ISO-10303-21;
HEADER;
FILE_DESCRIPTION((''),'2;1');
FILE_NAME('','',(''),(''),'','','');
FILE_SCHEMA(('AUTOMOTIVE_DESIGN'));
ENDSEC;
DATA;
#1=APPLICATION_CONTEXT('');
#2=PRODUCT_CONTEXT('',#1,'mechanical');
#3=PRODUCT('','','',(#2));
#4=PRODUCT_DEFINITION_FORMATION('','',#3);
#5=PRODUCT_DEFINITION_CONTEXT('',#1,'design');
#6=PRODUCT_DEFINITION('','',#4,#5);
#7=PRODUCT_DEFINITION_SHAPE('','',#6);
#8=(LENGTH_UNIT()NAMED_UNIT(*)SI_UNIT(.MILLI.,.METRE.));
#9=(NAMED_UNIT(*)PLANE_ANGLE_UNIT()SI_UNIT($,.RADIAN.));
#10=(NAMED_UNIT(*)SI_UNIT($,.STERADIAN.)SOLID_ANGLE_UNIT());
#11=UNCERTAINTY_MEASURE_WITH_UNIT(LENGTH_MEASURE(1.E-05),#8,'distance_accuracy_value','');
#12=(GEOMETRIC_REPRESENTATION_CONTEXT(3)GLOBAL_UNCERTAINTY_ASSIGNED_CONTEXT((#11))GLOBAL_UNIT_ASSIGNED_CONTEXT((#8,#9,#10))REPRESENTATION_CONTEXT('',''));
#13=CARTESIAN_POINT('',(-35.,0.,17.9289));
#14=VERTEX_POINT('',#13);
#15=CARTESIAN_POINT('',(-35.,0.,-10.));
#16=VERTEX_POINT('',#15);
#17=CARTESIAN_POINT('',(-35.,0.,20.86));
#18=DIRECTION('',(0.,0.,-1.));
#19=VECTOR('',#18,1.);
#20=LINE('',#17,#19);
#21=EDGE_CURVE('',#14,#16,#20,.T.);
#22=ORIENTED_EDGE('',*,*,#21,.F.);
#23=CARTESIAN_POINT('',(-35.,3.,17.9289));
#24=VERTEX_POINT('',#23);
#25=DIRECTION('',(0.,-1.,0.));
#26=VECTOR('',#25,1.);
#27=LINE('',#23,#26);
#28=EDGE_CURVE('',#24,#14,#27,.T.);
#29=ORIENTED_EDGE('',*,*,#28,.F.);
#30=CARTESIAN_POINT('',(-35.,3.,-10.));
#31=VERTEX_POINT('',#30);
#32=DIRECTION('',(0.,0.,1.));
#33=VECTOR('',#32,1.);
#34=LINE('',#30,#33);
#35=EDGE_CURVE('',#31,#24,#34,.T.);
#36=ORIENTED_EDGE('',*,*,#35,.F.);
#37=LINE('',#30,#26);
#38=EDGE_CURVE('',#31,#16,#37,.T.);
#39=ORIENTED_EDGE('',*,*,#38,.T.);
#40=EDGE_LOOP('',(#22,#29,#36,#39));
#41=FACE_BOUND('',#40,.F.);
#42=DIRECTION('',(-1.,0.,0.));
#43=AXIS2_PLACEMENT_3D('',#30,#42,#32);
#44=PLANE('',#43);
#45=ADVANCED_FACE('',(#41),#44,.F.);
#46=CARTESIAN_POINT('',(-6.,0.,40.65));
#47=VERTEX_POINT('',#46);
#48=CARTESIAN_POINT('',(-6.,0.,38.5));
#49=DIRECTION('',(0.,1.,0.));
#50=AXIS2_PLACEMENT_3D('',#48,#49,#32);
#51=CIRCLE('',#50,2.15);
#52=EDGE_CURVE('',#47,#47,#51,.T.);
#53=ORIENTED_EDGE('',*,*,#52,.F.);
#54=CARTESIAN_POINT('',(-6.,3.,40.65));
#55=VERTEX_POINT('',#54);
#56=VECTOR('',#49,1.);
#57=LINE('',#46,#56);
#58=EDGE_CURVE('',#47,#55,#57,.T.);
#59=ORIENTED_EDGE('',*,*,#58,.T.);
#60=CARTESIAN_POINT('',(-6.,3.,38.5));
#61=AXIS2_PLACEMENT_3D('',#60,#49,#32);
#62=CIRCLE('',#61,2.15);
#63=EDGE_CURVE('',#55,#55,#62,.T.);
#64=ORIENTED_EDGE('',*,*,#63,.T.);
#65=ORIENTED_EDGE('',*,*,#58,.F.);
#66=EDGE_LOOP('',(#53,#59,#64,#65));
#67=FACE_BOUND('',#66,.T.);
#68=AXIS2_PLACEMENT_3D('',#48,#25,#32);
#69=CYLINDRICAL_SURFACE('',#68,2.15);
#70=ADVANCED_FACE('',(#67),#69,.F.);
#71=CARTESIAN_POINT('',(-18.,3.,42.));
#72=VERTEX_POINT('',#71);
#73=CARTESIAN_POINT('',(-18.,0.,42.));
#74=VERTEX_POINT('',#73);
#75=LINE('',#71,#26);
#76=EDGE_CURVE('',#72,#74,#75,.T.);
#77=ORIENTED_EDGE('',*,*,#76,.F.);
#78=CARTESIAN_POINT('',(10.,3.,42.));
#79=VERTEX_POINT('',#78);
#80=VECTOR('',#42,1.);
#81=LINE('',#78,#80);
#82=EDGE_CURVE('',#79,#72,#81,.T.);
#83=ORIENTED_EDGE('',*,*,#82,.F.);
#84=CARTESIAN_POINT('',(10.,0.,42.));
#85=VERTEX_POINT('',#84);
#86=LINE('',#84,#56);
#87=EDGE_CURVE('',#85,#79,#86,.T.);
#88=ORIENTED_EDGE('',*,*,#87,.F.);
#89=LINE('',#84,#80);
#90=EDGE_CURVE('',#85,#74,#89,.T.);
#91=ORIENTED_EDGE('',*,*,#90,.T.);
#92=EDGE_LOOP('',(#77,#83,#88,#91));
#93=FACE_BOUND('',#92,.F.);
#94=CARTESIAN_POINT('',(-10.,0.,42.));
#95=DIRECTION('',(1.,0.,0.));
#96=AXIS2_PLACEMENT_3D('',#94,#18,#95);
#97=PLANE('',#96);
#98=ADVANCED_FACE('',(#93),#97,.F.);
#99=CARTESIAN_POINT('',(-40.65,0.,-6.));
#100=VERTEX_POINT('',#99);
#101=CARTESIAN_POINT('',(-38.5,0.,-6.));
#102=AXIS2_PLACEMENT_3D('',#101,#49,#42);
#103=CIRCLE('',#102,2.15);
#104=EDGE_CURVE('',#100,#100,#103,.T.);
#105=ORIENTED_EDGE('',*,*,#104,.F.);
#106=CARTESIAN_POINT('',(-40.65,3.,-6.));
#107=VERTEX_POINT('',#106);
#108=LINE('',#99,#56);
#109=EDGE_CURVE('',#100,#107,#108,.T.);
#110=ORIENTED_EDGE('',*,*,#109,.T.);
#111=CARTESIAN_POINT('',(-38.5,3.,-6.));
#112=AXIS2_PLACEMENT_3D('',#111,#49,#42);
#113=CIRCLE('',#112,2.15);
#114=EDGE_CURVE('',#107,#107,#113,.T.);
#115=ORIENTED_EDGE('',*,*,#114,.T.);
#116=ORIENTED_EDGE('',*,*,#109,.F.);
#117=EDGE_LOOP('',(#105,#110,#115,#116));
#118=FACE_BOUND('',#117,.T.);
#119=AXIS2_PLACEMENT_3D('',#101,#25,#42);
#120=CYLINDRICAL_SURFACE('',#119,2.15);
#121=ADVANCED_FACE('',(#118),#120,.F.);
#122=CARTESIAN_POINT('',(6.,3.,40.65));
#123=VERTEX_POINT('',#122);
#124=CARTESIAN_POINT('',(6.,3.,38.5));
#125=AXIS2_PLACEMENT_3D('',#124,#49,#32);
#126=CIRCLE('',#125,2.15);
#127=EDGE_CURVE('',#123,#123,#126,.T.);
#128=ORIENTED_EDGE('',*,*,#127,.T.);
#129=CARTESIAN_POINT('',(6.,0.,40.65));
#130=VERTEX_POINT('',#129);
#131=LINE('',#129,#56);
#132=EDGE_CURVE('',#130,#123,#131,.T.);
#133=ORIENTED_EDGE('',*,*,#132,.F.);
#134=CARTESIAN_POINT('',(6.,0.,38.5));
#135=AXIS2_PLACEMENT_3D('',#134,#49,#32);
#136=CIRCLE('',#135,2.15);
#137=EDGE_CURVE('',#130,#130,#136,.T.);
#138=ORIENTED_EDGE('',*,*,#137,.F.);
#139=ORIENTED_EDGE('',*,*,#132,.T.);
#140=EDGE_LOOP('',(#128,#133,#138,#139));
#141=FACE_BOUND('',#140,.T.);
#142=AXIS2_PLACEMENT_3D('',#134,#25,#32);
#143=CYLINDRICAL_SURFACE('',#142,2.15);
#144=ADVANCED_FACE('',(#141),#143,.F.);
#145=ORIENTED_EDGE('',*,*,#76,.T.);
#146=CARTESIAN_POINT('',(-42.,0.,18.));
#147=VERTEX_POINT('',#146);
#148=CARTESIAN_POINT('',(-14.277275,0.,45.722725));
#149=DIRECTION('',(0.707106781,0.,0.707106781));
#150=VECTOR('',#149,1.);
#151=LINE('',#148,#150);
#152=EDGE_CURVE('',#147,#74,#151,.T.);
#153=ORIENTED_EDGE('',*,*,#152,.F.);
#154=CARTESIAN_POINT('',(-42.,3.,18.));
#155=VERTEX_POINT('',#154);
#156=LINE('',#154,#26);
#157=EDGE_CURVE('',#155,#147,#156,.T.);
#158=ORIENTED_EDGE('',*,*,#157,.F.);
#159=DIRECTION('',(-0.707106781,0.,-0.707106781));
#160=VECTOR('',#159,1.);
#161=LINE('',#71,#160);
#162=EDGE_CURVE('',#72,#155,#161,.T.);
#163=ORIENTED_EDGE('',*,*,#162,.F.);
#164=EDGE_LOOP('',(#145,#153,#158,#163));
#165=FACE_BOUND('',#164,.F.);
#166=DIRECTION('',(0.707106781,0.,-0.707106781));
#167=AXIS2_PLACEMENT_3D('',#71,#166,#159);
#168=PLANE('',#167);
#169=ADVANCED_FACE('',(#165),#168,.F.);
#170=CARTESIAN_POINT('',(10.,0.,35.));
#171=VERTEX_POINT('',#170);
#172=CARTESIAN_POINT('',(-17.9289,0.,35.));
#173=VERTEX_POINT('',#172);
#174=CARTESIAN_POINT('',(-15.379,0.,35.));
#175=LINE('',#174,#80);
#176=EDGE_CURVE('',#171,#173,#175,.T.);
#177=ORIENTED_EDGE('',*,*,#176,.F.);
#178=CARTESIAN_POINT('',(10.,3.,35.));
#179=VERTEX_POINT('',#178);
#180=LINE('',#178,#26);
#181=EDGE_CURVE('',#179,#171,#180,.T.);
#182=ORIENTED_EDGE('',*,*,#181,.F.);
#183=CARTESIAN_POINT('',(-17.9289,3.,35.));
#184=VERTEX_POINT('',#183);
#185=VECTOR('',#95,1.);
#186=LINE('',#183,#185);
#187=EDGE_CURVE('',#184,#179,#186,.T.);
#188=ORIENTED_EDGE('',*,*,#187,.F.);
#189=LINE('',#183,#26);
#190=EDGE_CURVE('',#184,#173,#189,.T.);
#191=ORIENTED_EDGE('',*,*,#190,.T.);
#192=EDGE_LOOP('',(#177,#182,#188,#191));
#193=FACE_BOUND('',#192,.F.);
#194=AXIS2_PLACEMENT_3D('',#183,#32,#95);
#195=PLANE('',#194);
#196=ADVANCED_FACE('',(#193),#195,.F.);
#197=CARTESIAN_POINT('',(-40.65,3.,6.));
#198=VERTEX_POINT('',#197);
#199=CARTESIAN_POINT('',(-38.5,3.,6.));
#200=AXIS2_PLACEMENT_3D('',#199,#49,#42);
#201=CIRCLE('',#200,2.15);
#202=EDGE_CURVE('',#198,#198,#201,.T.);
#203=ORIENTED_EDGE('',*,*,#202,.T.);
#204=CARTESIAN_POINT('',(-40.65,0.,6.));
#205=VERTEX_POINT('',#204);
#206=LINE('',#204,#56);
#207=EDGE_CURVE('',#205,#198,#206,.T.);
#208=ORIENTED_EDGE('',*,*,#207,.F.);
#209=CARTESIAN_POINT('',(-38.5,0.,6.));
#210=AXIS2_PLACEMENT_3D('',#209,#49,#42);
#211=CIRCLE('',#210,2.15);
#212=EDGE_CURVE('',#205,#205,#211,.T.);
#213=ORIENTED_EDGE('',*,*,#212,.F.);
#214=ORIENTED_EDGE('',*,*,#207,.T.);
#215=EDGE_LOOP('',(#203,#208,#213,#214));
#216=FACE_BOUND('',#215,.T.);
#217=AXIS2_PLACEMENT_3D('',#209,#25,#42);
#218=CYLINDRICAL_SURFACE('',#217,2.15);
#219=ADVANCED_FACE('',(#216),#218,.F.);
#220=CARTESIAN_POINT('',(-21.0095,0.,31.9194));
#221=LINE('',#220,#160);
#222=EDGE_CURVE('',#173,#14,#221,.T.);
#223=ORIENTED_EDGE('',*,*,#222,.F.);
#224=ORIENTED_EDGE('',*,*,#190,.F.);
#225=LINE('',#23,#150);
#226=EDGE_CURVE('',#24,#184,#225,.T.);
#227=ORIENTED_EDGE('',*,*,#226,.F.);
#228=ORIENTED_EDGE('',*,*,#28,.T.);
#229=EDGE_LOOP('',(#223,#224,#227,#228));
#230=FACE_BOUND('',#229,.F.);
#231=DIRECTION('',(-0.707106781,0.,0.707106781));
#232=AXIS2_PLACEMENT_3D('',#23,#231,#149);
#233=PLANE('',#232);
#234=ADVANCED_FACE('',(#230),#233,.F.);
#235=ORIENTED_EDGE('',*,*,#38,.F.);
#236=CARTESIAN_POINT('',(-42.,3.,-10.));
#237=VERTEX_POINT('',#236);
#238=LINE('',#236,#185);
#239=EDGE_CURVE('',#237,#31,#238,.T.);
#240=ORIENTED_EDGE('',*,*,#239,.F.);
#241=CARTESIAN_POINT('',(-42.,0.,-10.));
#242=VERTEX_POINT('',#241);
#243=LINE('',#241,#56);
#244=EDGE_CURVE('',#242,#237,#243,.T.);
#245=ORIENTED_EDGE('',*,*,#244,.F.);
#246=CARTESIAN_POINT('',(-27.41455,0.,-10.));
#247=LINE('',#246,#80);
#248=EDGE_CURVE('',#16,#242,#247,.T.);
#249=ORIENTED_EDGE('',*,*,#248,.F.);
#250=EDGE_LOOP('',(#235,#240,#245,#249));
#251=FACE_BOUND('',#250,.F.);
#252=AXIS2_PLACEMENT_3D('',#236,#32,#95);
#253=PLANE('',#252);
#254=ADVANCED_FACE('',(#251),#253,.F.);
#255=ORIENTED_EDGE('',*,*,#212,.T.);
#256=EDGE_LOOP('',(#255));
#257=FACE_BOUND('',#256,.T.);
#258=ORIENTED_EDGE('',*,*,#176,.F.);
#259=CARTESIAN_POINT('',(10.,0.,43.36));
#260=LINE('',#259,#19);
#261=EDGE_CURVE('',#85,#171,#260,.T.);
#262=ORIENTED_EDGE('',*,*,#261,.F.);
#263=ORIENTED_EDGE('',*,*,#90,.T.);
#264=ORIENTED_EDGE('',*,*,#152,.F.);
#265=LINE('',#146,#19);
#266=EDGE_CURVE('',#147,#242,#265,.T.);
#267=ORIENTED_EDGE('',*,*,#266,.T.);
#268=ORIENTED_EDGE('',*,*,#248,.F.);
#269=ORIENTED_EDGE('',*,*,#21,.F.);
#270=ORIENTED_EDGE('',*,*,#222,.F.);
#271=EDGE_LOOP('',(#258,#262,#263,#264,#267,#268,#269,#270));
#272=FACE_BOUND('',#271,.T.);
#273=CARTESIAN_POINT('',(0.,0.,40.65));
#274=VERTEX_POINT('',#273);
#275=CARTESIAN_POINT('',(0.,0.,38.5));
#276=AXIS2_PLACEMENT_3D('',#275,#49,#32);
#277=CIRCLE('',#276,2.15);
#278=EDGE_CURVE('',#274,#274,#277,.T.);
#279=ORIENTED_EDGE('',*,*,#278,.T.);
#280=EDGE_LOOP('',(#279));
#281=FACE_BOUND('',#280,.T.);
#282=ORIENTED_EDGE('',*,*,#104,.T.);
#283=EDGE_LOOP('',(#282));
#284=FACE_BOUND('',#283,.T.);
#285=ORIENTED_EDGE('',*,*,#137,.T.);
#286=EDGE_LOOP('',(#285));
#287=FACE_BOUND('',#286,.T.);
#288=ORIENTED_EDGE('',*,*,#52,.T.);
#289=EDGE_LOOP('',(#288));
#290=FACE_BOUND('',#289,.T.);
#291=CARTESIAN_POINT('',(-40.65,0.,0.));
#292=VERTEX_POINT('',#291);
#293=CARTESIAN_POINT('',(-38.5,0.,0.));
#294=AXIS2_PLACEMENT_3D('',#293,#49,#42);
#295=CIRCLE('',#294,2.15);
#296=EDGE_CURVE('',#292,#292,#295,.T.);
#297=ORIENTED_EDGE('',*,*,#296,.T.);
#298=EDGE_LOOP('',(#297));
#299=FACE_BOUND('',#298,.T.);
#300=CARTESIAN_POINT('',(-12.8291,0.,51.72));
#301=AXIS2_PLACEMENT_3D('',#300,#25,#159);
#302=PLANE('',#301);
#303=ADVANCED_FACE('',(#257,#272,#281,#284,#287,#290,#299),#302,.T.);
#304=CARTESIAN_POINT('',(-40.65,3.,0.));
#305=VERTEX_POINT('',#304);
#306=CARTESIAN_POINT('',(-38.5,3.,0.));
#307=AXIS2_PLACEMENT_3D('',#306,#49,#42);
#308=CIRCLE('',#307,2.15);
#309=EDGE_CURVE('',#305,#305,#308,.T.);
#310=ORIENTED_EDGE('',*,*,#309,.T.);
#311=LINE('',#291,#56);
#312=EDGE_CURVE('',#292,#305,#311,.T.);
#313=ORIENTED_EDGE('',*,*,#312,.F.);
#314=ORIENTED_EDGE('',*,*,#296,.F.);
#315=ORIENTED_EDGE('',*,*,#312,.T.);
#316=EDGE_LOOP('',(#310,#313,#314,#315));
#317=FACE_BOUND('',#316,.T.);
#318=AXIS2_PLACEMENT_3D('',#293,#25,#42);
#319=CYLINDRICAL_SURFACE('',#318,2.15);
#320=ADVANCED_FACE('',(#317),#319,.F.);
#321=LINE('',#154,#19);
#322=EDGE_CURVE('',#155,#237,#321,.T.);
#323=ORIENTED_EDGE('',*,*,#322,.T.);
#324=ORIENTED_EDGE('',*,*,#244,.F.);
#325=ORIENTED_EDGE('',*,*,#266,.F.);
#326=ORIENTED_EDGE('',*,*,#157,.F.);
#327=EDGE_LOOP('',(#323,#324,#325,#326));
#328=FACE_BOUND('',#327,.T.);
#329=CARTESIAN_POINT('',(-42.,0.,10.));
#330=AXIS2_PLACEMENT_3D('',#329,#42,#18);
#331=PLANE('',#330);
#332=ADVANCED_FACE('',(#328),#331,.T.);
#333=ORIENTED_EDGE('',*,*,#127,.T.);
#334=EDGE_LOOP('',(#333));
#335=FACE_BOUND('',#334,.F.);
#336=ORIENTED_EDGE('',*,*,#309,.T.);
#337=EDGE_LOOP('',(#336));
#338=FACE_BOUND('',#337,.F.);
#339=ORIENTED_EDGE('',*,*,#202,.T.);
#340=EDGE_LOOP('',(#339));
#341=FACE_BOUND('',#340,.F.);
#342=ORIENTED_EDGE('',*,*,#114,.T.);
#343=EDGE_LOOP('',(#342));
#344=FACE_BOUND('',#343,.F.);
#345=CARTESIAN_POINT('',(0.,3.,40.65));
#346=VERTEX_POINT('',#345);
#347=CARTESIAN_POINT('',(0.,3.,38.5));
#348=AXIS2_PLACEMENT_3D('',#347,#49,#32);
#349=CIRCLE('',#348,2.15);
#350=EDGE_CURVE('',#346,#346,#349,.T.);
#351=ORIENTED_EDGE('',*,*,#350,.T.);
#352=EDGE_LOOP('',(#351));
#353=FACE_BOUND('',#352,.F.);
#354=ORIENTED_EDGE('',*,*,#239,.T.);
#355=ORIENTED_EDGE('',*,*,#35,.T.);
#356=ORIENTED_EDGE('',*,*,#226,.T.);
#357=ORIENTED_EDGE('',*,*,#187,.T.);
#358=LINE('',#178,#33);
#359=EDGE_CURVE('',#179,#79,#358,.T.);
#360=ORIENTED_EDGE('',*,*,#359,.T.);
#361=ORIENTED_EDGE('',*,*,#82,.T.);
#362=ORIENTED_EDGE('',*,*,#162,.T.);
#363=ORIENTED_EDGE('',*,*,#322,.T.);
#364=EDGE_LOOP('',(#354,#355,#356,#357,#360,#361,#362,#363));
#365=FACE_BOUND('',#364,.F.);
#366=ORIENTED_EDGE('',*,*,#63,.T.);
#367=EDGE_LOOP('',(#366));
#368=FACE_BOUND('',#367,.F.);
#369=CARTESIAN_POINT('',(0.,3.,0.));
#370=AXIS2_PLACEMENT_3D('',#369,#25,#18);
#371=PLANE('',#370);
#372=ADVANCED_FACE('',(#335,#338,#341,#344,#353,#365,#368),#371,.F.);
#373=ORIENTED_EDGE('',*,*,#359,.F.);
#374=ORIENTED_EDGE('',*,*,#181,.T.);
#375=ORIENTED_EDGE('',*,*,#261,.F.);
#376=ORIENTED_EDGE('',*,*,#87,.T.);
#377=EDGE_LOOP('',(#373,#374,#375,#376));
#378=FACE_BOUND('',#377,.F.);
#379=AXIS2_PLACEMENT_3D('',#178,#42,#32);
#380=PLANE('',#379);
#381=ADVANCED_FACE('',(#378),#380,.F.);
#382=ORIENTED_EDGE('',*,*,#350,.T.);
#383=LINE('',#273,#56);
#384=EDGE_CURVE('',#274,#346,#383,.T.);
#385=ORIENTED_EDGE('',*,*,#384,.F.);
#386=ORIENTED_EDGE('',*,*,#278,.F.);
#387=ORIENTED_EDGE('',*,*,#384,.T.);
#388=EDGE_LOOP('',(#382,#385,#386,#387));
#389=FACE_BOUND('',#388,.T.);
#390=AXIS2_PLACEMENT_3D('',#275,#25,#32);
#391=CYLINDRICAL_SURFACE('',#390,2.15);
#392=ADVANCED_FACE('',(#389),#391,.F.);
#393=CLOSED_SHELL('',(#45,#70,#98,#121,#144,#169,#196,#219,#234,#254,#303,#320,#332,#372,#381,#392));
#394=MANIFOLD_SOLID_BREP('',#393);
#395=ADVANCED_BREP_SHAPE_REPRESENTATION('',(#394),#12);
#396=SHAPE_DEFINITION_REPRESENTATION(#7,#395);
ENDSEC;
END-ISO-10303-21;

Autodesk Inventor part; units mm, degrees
ref_plane "YZ Plane" through (0, 0, 0) normal (1, 0, 0) x (0, 1, 0)
ref_plane "XZ Plane" through (0, 0, 0) normal (0, 1, 0) x (-1, 0, 0)
ref_plane "XY Plane" through (0, 0, 0) normal (0, 0, 1) x (1, 0, 0)
sketch "Esquisse1" plane through (0, 0, 0) normal (0, 1, 0) x (-1, 0, 0)
  line L0 (35, 35) -> (35, 14)
  line L1 (35, 14) -> (42, 10)
  line L2 (42, 10) -> (42, 0)
  line L3 (35, 35) -> (0, 0)
  line L4 (42, 0) -> (0, 0) construction
  line L5 (35, -35) -> (35, -14)
  line L6 (35, -14) -> (42, -10)
  line L7 (42, -10) -> (42, 0)
  line L8 (35, -35) -> (0, 0)
  line L9 (38.5, -12) -> (38.5, 12) construction
  circle A0 centre (38.5, 0) radius 2.15
  circle A1 centre (38.5, 6) radius 2.15
  circle A2 centre (38.5, -6) radius 2.15
  dimension "d0" = 90
  dimension "d1" = 70
  dimension "d4" = 6
  dimension "d11" = 6
  dimension "d16" = 4.3
  dimension "d17" = 20
  dimension "d18" = 4
  dimension "d19" = 7
extrude "Extrusion1" add sketch "Esquisse1" along normal blind 3
pattern_circular "Réseau circulaire1" count 4 over 360 about axis through (0, 0, 0) along (0, 1, 0) of "Extrusion1"
ref_plane "Plan de construction2" through (0, 0, -14) normal (1, 0, 0) x (0, 0, -1)
ref_plane "Plan de construction3" through (-14, 0, 0) normal (0, 0, -1) x (-1, 0, 0)
chamfer "Chanfrein1" distance 10 angle 45 4 edges at (-35, 1.5, -35) (-35, 1.5, 35) (35, 1.5, -35) (35, 1.5, 35)
sketch "Esquisse3" plane through (0, 0, 0) normal (0, -1, 0) x (1, 0, 0)
  circle A0 centre (0, 38.5) radius 2.15 construction
  circle A1 centre (6, 38.5) radius 2.15 construction
  circle A2 centre (-6, 38.5) radius 2.15 construction
  circle A3 centre (38.5, 6) radius 2.15 construction
  circle A4 centre (38.5, -6) radius 2.15 construction
  circle A5 centre (38.5, 0) radius 2.15 construction
  circle A6 centre (6, -38.5) radius 2.15 construction
  circle A7 centre (-6, -38.5) radius 2.15 construction
  circle A8 centre (0, -38.5) radius 2.15 construction
  circle A9 centre (-38.5, -6) radius 2.15 construction
  circle A10 centre (-38.5, 6) radius 2.15 construction
  circle A11 centre (-38.5, 0) radius 2.15 construction
  line L0 (-35, 25) -> (-35, 14) construction
  line L1 (-35, 14) -> (-42, 10) construction
  line L2 (-42, 10) -> (-42, -10) construction
  line L3 (-42, -10) -> (-35, -14) construction
  line L4 (-35, -14) -> (-35, -25) construction
  line L5 (-25, -35) -> (-14, -35) construction
  line L6 (-14, -35) -> (-10, -42) construction
  line L7 (-10, -42) -> (10, -42) construction
  line L8 (10, -42) -> (14, -35) construction
  line L9 (14, -35) -> (25, -35) construction
  line L10 (35, -25) -> (35, -14) construction
  line L11 (35, -14) -> (42, -10) construction
  line L12 (42, -10) -> (42, 10) construction
  line L13 (42, 10) -> (35, 14) construction
  line L14 (35, 14) -> (35, 25) construction
  line L15 (25, 35) -> (14, 35) construction
  line L16 (14, 35) -> (10, 42) construction
  line L17 (10, 42) -> (-10, 42) construction
  line L18 (-10, 42) -> (-14, 35) construction
  line L19 (-14, 35) -> (-25, 35) construction
  line L20 (-51.72, -12.8291) -> (-12.8291, -51.72)
  line L21 (-12.8291, -51.72) -> (-10, -42)
  line L22 (-42, -10) -> (-51.72, -12.8291)
  line L23 (-35, -14) -> (-42, -10)
  line L24 (-42, -10) -> (-35, -14) projected
  line L25 (-10, -42) -> (-14, -35)
  line L26 (-14, -35) -> (-10, -42) projected
  line L27 (25, 35) -> (35, 25) projected
  line L28 (-35, 25) -> (-25, 35) projected
  line L29 (-25, -35) -> (-35, -25) projected
  line L30 (35, -25) -> (25, -35) projected
  line L31 (-14, -35) -> (-35, -14)
  point P0 (0, 0)
  dimension "d32" = 135
  dimension "d33" = 55
extrude "Extrusion3" add sketch "Esquisse3" against normal blind 3
sketch "Esquisse4" plane through (-51.72, 0, -12.8291) normal (-0.7071, 0, -0.7071) x (-0.7071, 0, 0.7071)
  line L0 (0, 0) -> (-55, 0) construction
  line L1 (0, 0) -> (0, 3) construction
  line L2 (-55, 3) -> (0, 3) construction
  line L3 (-55, 0) -> (-55, 3) construction
  line L4 (0, 0) -> (-55, 0)
  line L5 (-55, 0) -> (-55, 24)
  line L6 (-55, 24) -> (0, 24)
  line L7 (0, 24) -> (0, 0)
  point P0 (-27.5, 0)
  dimension "d36" = 24
extrude "Extrusion4" add sketch "Esquisse4" along normal blind 3
sketch "Esquisse5" plane through (-53.8413, 0, -14.9504) normal (-0.7071, 0, -0.7071) x (-0.7071, 0, 0.7071)
  line L0 (-55, 0) -> (0, 0) construction
  line L1 (0, 0) -> (0, 24) construction
  line L2 (0, 24) -> (-55, 24) construction
  line L3 (-55, 24) -> (-55, 0) construction
  line L4 (0, 0) -> (0, 24) construction
  line L5 (0, 9.2801) -> (-55, 9.2801) construction
  circle A0 centre (-15.1412, 9.2801) radius 7.3571
  line L6 (-27.5, 0) -> (-27.5, 24) construction
  circle A1 centre (-39.8588, 9.2801) radius 7.3571
extrude "Extrusion5" cut sketch "Esquisse5" against normal blind 1
pattern_circular "Réseau circulaire2" count 4 over 360 about axis through (0, 0, 0) along (0, -1, 0) of "Extrusion3", "Extrusion4"
fillet "Congé1" radius 3 2 edges at (-34.3959, 0, 34.3959) (34.3959, 0, -34.3959)
sketch "Esquisse13" plane through (0, 3, 0) normal (0, 1, 0) x (1, 0, 0)
  line L0 (-10, -42) -> (10, -42) construction
  line L1 (10, -42) -> (12.8291, -51.72) construction
  line L2 (12.8291, -51.72) -> (51.72, -12.8291) construction
  line L3 (51.72, -12.8291) -> (42, -10) construction
  line L4 (42, -10) -> (42, 10) construction
  line L5 (42, 10) -> (51.72, 12.8291) construction
  line L6 (51.72, 12.8291) -> (12.8291, 51.72) construction
  line L7 (12.8291, 51.72) -> (10, 42) construction
  line L8 (10, 42) -> (-10, 42) construction
  line L9 (-10, 42) -> (-12.8291, 51.72) construction
  line L10 (-12.8291, 51.72) -> (-51.72, 12.8291) construction
  line L11 (-51.72, 12.8291) -> (-42, 10) construction
  line L12 (-42, 10) -> (-42, -10) construction
  line L13 (-42, -10) -> (-51.72, -12.8291) construction
  line L14 (-51.72, -12.8291) -> (-12.8291, -51.72) construction
  line L15 (-12.8291, -51.72) -> (-10, -42) construction
  circle A0 centre (0, -38.5) radius 2.15 construction
  circle A1 centre (6, -38.5) radius 2.15 construction
  circle A2 centre (-6, -38.5) radius 2.15 construction
  circle A3 centre (38.5, -6) radius 2.15 construction
  circle A4 centre (38.5, 6) radius 2.15 construction
  circle A5 centre (38.5, 0) radius 2.15 construction
  circle A6 centre (6, 38.5) radius 2.15 construction
  circle A7 centre (-6, 38.5) radius 2.15 construction
  circle A8 centre (0, 38.5) radius 2.15 construction
  circle A9 centre (-38.5, 6) radius 2.15 construction
  circle A10 centre (-38.5, -6) radius 2.15 construction
  circle A11 centre (-38.5, 0) radius 2.15 construction
  line L16 (10, -42) -> (-18, -42)
  line L17 (-18, -42) -> (-42, -18)
  line L18 (-42, -18) -> (-42, 10)
  line L19 (-42, -10) -> (-42, 10) projected
  line L20 (-42, 10) -> (-35, 10)
  line L21 (-35, 10) -> (-35, -17.9289)
  line L22 (-35, -17.9289) -> (-17.9289, -35)
  line L23 (-17.9289, -35) -> (10, -35)
  line L24 (10, -35) -> (10, -42)
  line L25 (-10, -42) -> (10, -42) projected
  dimension "d97" = 7
  dimension "d98" = 5
  dimension "d99" = 28
extrude "Extrusion11" cut sketch "Esquisse13" against normal blind 10 keep common part
properties part number "renfort"
